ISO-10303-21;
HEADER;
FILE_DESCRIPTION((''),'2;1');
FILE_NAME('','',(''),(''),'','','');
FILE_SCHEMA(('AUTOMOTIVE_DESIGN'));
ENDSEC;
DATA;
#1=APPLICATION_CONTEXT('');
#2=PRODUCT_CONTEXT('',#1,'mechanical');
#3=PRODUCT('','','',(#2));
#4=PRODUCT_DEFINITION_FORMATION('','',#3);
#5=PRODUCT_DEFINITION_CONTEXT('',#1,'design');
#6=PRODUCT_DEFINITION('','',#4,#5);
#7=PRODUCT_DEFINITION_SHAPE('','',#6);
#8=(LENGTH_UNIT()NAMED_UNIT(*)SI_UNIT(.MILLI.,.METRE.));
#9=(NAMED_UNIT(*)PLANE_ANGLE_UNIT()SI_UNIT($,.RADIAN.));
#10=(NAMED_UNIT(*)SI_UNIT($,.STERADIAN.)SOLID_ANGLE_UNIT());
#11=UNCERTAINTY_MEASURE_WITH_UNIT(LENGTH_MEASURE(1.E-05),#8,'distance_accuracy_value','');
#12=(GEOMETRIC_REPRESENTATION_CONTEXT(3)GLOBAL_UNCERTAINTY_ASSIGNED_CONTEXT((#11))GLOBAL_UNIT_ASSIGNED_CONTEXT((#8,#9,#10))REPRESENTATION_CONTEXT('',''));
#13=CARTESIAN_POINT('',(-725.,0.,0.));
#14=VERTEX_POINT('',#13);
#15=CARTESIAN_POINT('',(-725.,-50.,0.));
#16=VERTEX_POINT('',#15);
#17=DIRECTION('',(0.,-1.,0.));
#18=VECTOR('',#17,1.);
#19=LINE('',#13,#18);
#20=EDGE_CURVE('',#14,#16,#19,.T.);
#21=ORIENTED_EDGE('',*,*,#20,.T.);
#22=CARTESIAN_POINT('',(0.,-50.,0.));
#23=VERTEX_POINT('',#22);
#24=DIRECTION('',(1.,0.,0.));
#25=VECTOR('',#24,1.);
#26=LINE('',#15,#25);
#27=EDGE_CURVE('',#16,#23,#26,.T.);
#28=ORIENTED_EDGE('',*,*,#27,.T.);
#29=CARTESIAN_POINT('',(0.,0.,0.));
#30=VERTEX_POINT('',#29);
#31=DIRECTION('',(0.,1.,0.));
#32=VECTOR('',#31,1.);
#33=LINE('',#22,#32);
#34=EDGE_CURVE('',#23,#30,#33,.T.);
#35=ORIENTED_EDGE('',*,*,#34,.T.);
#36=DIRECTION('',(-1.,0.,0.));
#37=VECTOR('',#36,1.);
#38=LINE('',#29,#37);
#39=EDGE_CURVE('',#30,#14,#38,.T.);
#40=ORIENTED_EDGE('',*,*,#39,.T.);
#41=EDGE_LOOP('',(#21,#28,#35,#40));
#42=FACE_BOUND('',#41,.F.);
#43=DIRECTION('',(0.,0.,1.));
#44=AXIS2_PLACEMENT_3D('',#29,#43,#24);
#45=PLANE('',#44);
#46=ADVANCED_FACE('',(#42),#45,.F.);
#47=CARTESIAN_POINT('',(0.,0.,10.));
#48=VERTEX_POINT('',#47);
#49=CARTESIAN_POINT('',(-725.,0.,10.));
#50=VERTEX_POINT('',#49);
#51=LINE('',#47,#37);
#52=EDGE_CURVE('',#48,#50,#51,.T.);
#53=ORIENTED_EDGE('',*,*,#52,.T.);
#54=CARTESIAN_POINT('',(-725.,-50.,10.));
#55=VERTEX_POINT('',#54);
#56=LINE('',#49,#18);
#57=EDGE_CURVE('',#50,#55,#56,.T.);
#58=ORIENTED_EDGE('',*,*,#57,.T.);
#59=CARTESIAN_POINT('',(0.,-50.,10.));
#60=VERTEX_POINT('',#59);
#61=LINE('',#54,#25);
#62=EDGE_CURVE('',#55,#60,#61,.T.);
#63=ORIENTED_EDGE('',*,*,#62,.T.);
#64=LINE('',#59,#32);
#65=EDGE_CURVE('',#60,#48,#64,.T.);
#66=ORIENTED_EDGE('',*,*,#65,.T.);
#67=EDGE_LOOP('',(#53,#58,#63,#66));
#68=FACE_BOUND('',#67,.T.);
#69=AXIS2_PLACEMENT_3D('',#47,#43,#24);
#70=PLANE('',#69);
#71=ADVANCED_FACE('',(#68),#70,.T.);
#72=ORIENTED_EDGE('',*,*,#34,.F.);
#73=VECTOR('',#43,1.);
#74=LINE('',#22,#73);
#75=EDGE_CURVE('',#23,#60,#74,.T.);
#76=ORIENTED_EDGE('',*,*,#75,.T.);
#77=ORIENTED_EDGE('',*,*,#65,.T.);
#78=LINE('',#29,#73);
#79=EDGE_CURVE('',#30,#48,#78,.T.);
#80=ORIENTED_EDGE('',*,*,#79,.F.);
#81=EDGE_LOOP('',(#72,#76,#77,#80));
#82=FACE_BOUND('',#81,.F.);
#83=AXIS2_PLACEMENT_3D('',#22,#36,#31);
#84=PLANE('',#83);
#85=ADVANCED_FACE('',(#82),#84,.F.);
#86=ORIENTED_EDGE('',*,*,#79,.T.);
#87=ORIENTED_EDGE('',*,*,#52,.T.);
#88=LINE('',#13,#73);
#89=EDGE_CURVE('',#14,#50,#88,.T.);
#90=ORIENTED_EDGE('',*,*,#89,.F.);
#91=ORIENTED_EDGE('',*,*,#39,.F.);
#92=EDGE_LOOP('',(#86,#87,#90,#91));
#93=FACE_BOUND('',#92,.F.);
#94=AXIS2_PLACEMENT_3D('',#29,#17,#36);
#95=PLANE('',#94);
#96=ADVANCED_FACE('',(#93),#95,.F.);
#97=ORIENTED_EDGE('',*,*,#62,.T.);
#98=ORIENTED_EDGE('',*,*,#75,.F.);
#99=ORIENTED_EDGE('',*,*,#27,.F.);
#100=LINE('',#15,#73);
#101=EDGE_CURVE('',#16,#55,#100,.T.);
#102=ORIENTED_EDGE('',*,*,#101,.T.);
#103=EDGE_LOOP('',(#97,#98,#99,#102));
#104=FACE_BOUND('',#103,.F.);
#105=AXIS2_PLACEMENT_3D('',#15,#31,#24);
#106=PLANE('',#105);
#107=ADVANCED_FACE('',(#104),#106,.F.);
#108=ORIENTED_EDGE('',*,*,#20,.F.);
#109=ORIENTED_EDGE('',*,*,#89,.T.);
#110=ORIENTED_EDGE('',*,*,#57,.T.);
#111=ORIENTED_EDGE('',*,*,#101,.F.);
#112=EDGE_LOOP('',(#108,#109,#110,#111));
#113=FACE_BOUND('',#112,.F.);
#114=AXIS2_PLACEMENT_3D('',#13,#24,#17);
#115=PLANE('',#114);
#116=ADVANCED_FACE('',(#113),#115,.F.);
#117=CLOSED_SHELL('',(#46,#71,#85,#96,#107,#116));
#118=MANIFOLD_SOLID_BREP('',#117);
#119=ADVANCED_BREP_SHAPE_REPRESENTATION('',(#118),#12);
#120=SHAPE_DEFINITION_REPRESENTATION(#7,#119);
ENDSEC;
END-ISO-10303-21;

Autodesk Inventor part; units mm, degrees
ref_plane "YZ Plane" through (0, 0, 0) normal (1, 0, 0) x (0, 1, 0)
ref_plane "XZ Plane" through (0, 0, 0) normal (0, 1, 0) x (-1, 0, 0)
ref_plane "XY Plane" through (0, 0, 0) normal (0, 0, 1) x (1, 0, 0)
sketch "Sketch1" plane through (0, 0, 0) normal (0, 0, 1) x (1, 0, 0)
  line L0 (0, 0) -> (-725, 0)
  line L1 (-725, 0) -> (-725, -50)
  line L2 (-725, -50) -> (0, -50)
  line L3 (0, -50) -> (0, 0)
  dimension "d0" = 725
  dimension "d1" = 50
extrude "Extrusion1" add sketch "Sketch1" along normal blind 10
